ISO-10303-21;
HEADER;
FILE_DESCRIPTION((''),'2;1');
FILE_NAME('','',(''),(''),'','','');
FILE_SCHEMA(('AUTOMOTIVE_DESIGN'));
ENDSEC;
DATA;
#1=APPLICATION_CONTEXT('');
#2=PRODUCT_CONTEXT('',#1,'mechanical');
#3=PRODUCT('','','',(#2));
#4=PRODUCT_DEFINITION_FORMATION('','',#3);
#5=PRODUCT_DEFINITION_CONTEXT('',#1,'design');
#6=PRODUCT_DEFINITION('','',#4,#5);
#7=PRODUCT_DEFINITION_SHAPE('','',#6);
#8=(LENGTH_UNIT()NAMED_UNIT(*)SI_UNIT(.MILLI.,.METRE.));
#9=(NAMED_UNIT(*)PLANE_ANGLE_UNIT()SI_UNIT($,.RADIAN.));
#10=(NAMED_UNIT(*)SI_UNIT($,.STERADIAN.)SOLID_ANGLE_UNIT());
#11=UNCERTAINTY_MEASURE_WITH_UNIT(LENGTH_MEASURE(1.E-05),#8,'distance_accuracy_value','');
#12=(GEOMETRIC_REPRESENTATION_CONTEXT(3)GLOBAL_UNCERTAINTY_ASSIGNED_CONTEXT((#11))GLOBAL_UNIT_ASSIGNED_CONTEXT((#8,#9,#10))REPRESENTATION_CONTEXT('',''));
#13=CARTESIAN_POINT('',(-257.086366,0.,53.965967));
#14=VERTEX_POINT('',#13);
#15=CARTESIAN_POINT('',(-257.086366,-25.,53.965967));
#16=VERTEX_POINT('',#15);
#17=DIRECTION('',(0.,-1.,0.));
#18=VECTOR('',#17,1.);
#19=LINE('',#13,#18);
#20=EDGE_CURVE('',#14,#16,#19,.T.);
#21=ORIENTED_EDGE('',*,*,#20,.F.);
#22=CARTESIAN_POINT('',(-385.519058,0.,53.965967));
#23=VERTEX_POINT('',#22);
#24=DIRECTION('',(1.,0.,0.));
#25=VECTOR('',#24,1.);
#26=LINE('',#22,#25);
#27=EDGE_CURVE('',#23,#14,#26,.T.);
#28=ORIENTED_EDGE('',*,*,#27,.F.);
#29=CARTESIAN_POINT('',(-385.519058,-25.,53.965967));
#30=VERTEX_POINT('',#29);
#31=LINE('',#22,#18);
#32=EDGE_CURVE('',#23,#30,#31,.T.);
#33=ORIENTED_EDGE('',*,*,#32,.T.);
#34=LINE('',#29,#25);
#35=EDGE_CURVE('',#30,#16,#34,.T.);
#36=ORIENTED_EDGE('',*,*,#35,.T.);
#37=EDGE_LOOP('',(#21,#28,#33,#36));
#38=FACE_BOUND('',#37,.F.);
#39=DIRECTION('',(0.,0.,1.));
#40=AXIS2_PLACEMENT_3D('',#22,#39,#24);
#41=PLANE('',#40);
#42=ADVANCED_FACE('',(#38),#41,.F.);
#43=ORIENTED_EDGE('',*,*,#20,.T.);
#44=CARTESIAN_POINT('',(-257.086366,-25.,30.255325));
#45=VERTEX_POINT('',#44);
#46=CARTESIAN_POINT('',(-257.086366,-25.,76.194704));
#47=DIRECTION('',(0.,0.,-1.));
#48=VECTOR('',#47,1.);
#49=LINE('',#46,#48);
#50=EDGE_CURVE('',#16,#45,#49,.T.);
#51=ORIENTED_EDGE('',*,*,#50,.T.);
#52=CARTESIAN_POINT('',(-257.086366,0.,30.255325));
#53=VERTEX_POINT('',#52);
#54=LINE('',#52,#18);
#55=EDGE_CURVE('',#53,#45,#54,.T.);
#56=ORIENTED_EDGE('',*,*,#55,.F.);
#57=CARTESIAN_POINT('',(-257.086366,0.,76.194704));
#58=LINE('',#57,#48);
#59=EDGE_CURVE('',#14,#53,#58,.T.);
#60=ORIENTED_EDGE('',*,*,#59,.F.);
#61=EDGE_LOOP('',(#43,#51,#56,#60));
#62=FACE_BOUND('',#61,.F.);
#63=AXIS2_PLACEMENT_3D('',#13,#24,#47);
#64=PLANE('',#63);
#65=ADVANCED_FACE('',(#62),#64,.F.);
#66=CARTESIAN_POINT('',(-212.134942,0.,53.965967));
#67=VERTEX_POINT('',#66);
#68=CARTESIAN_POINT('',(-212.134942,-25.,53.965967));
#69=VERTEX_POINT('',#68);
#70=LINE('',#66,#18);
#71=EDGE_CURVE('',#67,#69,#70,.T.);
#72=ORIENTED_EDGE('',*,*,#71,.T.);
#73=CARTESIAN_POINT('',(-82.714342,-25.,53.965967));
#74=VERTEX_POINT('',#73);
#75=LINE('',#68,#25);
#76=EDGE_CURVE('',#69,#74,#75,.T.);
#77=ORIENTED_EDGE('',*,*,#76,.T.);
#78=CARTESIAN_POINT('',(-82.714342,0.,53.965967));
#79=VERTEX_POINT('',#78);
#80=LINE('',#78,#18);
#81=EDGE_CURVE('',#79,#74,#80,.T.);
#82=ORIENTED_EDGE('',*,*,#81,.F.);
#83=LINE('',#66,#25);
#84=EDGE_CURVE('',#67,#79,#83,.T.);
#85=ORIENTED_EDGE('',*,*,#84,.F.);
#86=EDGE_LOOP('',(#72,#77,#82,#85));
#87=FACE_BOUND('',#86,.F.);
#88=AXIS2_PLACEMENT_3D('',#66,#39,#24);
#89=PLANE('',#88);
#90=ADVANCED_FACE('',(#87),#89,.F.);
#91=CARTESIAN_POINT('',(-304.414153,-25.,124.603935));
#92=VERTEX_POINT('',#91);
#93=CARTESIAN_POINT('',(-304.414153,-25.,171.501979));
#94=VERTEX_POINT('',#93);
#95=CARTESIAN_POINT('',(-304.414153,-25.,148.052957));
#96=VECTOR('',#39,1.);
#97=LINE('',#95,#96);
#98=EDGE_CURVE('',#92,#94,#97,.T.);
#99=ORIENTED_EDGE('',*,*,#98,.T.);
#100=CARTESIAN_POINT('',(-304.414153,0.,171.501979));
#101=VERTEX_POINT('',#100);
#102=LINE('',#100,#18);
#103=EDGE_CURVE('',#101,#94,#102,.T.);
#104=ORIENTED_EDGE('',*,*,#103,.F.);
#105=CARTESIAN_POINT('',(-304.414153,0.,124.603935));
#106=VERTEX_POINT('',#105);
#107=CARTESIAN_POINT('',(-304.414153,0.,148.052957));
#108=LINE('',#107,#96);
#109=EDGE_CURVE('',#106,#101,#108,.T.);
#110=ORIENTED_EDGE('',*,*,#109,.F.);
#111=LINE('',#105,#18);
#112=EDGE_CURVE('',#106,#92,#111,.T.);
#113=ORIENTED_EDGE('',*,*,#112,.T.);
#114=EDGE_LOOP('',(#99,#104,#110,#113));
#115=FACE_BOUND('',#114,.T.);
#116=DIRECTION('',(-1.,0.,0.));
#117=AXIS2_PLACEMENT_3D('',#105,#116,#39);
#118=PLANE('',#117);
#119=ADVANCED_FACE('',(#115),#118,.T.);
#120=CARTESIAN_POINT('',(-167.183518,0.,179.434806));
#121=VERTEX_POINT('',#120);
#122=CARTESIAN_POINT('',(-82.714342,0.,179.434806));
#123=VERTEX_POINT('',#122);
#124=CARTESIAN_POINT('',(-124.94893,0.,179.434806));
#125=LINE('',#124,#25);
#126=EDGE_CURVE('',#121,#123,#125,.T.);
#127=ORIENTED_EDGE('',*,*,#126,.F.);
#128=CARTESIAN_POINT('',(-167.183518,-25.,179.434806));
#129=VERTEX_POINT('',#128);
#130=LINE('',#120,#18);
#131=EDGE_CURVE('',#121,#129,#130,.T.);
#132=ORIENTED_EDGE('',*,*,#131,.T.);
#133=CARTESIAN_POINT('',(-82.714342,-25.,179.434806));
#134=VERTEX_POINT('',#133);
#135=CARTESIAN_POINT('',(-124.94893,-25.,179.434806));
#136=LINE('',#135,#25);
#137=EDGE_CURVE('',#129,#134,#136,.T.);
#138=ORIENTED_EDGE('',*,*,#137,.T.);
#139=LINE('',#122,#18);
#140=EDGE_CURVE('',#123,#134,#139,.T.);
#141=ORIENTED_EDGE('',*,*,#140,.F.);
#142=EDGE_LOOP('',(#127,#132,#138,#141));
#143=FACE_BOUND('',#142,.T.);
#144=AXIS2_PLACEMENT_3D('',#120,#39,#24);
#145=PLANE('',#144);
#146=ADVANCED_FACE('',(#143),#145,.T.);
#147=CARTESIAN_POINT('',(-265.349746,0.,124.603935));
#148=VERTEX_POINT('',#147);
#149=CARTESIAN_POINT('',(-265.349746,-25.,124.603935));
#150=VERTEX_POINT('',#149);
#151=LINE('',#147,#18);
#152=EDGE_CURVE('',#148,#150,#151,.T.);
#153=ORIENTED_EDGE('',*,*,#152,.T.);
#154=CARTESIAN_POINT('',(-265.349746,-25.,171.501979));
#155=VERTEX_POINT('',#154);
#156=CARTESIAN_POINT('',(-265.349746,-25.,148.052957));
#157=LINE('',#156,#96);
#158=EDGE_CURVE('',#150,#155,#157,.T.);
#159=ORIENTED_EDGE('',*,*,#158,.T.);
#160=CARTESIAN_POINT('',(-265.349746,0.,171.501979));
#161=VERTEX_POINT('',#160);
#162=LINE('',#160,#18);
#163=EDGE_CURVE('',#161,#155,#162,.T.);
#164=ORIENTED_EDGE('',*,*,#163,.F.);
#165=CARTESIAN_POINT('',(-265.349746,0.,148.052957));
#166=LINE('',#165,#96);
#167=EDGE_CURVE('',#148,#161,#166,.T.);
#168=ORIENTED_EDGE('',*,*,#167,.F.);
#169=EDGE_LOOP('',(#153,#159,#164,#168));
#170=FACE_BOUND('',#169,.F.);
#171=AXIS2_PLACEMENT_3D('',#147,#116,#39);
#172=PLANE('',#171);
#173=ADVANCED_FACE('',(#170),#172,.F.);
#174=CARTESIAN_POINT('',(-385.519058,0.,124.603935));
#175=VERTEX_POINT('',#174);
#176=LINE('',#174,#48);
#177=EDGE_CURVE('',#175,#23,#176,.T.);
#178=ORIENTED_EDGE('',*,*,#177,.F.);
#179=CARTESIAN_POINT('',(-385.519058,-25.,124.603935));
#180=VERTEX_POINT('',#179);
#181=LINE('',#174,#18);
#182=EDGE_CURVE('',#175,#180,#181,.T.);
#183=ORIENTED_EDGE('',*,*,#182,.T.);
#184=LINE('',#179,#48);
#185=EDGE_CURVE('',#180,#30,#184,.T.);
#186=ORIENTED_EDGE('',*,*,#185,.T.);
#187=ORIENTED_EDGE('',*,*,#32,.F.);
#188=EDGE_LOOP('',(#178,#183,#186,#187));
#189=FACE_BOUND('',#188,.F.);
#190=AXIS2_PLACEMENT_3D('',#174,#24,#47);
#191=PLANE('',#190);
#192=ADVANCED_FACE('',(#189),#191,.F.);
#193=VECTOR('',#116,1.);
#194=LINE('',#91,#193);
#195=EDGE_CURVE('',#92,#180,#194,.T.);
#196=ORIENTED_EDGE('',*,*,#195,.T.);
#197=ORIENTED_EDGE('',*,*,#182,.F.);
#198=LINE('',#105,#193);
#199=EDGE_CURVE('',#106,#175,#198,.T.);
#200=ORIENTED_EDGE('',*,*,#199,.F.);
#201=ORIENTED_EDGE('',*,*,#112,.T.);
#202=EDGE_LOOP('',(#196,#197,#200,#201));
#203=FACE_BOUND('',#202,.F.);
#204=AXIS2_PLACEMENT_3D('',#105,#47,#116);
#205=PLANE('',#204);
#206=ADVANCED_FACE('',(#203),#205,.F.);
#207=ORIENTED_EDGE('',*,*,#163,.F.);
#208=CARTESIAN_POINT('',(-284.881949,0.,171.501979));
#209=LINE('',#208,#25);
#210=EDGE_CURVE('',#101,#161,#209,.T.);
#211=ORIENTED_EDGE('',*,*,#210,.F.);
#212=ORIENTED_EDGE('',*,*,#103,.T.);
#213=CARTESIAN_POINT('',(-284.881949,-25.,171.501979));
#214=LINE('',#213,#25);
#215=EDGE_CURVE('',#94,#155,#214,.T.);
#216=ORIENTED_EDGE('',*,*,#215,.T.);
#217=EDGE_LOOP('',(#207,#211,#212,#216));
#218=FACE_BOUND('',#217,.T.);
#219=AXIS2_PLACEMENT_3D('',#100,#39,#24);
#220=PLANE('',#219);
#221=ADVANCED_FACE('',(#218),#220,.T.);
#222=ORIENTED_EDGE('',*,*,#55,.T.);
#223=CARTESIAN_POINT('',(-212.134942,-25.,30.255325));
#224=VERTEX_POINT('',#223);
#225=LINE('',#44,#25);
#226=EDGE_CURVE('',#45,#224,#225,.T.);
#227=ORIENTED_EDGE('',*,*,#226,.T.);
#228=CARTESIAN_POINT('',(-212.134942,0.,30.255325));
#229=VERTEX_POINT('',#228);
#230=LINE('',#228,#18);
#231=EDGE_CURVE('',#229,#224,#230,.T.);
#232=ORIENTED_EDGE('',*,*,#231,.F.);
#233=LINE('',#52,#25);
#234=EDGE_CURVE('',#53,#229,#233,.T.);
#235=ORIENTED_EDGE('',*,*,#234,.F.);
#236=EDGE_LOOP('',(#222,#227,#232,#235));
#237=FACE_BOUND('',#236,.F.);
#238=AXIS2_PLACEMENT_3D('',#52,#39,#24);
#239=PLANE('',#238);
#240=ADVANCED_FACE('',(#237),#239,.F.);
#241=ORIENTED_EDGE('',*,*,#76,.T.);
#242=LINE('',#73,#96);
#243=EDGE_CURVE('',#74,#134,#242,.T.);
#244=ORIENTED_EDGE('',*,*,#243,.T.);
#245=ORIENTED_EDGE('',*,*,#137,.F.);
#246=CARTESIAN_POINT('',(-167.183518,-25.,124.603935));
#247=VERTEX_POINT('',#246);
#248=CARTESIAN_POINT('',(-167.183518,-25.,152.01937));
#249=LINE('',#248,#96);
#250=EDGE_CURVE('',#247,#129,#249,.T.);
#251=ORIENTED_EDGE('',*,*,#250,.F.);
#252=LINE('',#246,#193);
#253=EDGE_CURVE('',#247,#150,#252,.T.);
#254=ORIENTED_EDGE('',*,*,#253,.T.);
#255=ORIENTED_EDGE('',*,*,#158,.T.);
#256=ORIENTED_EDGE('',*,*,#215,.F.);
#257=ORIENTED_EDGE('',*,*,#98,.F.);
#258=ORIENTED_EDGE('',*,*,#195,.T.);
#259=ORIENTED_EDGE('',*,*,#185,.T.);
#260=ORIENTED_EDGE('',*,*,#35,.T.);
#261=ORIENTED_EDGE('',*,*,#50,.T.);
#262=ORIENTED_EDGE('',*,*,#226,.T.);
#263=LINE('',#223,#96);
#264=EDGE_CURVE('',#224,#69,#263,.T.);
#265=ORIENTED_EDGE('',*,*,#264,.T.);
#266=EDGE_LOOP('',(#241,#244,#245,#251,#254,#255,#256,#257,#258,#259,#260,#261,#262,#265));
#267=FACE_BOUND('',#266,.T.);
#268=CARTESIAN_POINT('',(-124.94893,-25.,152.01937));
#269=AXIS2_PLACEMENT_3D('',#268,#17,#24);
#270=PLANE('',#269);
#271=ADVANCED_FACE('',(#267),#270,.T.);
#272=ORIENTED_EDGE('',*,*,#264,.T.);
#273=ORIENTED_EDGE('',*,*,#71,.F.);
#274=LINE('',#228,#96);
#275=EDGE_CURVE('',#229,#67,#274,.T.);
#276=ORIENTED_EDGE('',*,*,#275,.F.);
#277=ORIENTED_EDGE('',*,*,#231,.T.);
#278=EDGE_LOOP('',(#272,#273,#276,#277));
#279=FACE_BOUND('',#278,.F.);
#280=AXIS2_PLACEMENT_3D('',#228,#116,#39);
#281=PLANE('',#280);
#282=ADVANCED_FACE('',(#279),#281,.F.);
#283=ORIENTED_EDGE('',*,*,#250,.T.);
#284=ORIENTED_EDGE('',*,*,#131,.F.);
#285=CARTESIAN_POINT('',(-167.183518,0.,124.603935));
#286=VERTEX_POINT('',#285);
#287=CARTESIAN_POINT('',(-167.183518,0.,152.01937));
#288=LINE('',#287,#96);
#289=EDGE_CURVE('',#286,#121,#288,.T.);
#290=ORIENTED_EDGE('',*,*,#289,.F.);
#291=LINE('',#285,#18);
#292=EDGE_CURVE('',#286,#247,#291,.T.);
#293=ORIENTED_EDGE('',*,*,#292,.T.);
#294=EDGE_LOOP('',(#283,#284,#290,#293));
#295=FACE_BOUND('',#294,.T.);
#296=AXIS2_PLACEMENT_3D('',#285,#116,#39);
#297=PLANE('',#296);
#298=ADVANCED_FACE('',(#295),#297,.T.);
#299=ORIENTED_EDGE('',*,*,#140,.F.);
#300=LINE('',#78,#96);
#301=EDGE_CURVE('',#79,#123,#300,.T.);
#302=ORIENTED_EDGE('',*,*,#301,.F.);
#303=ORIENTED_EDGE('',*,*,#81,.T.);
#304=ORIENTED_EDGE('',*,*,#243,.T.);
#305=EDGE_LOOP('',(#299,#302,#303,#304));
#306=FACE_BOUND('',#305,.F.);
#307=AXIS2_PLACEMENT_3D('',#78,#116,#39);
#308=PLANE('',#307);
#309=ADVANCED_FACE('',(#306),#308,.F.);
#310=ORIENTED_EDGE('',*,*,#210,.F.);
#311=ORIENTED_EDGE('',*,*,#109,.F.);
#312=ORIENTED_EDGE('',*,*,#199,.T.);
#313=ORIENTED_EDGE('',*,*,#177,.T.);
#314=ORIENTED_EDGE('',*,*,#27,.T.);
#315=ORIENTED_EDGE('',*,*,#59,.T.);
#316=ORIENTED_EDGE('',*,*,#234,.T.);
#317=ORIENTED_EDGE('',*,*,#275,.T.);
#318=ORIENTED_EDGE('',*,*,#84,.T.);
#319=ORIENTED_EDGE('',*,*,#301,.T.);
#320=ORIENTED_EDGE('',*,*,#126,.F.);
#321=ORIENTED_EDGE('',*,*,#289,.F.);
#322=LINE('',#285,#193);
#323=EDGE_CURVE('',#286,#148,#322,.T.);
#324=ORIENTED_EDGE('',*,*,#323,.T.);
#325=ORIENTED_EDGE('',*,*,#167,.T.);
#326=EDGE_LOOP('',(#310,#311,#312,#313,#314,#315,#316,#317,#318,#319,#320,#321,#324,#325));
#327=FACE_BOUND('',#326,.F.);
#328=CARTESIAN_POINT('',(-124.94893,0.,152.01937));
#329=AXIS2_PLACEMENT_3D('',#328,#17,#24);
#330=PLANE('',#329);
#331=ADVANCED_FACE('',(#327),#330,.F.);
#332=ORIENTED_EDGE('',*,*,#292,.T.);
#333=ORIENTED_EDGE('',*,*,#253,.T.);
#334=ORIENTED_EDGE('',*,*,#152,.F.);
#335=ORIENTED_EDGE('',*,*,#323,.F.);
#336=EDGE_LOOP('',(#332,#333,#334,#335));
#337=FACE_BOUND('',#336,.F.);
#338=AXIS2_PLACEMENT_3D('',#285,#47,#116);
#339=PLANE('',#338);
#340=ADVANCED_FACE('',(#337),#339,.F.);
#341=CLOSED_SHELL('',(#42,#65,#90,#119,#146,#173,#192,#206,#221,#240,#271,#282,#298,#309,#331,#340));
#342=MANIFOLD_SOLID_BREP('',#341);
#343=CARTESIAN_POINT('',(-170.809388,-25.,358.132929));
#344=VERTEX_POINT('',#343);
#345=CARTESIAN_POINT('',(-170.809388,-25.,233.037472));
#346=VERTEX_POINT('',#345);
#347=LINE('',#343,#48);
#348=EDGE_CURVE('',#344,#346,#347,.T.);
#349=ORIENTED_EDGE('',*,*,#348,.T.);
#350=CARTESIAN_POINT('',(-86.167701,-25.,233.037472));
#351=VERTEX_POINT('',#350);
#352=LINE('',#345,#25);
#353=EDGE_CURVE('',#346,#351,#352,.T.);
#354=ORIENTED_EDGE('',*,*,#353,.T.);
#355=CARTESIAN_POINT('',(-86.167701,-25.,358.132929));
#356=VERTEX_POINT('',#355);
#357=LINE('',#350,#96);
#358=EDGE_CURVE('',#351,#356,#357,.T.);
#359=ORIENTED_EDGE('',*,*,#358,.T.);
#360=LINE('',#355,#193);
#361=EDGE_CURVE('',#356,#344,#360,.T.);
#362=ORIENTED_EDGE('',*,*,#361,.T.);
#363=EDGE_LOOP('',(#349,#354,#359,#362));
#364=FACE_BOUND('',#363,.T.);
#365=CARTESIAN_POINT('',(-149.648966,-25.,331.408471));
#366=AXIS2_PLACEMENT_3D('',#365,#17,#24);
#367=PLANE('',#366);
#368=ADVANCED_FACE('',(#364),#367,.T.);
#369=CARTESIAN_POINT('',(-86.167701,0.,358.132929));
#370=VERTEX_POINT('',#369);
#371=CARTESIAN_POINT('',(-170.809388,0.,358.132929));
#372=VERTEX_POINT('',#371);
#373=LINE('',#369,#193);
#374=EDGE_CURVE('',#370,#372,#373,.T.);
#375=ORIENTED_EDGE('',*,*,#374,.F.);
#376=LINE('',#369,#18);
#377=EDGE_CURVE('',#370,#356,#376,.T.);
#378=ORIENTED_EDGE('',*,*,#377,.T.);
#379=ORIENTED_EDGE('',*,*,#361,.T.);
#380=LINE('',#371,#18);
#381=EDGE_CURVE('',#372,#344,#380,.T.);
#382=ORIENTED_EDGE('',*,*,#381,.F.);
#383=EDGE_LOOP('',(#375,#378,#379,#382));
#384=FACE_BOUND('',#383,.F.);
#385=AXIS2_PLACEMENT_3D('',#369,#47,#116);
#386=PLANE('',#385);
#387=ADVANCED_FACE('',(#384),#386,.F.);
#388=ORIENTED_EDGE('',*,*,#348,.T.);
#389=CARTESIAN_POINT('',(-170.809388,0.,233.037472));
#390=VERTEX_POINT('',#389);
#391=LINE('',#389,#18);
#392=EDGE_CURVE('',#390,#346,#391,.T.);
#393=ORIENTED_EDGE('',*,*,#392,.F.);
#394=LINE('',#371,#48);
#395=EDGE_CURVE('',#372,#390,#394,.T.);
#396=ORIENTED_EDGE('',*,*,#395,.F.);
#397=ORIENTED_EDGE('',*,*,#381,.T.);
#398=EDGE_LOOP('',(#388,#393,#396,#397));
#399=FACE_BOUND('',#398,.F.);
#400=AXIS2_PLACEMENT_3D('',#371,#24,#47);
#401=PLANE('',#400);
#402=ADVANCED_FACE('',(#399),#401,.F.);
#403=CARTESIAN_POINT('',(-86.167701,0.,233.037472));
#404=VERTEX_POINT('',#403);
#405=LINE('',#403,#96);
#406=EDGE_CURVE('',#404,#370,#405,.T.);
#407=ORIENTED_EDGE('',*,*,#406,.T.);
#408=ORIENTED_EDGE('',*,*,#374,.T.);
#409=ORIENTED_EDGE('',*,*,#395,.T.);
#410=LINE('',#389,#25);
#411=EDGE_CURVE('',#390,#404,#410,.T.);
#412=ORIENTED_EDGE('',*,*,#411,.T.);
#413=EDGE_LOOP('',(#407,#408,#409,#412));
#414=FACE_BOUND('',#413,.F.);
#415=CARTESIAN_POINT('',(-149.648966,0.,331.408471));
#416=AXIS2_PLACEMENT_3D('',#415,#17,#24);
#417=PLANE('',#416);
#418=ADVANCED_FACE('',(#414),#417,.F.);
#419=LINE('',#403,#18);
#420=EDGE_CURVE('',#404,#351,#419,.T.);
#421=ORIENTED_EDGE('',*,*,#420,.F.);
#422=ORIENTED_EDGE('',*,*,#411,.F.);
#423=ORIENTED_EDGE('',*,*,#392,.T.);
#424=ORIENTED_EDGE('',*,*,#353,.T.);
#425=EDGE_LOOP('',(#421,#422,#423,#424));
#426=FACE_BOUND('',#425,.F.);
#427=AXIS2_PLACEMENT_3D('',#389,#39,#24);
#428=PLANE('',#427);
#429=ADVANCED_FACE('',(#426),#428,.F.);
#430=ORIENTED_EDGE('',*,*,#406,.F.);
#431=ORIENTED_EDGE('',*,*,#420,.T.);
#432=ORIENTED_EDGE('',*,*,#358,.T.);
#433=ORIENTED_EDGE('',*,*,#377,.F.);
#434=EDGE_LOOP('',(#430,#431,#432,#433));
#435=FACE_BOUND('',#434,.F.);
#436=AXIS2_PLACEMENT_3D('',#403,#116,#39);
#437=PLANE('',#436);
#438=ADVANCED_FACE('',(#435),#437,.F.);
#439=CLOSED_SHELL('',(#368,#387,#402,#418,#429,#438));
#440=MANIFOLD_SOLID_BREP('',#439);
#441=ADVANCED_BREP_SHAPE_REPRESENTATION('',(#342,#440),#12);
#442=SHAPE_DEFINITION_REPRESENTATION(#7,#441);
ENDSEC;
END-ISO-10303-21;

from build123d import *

# Parameters (mm, degrees)
F0_W     = 84.4691768289
F0_H     = 54.8308715224
F0_W_2   = 42.2345884144
F0_H_2   = 52.3610152304
F0_W_3   = 39.0644073486
F0_H_3   = 46.8980446458
F0_W_4   = 44.9514240026
F0_W_5   = 37.0478928089
F0_H_4   = 22.2287364304
F0_W_6   = 27.1684527397
F1_DEPTH = 25
F0_W_7   = 42.320843786
F0_H_5   = 53.4489154816
F0_H_6   = 53.5979270935


with BuildPart() as f1:
    # F0 (on Front) → F1 (new body)
    with BuildSketch(Plane.XZ):
        with Locations((-124.9489299953, 152.0193703473)):
            Rectangle(F0_W, F0_H)
        Polygon((-82.7143415809, 106.326982379), (-82.7143415809, 124.603934586), (-167.1835184097, 124.603934586), (-265.3497457504, 124.603934586), (-304.4141530991, 124.603934586), (-321.3027119637, 124.603934586), (-321.3027119637, 76.1947035789), (-284.2548191547, 76.1947035789), (-257.086366415, 76.1947035789), (-257.086366415, 106.326982379), (-212.1349424124, 106.326982379), (-167.1835184097, 106.326982379), (-124.9489299953, 106.326982379), align=None)
        with Locations((-103.8316357881, 80.1464747638)):
            Rectangle(F0_W_2, F0_H_2)
        with Locations((-284.8819494247, 148.0529569089)):
            Rectangle(F0_W_3, F0_H_3)
        with Locations((-146.0662242025, 80.1464747638)):
            Rectangle(F0_W_2, F0_H_2)
        with Locations((-189.6592304111, 80.1464747638)):
            Rectangle(F0_W_4, F0_H_2)
        Polygon((-321.3027119637, 76.1947035789), (-321.3027119637, 124.603934586), (-385.5190575123, 124.603934586), (-385.5190575123, 53.9659671485), (-321.3027119637, 53.9659671485), align=None)
        Polygon((-212.1349424124, 53.9659671485), (-212.1349424124, 106.326982379), (-257.086366415, 106.326982379), (-257.086366415, 76.1947035789), (-257.086366415, 53.9659671485), (-257.086366415, 30.2553251386), (-212.1349424124, 30.2553251386), align=None)
        with Locations((-302.7787655592, 65.0803353637)):
            Rectangle(F0_W_5, F0_H_4)
        with Locations((-270.6705927849, 65.0803353637)):
            Rectangle(F0_W_6, F0_H_4)
    extrude(amount=F1_DEPTH)


with BuildPart() as f1b:
    # F0 (on Front) → F1, piece 2 (new body)
    with BuildSketch(Plane.XZ):
        with Locations((-149.6489662677, 331.4084708691)):
            Rectangle(F0_W_7, F0_H_5)
        with Locations((-107.3281224817, 331.4084708691)):
            Rectangle(F0_W_7, F0_H_5)
        Polygon((-128.4885443747, 304.6840131283), (-170.8093881607, 304.6840131283), (-170.8093881607, 286.6353988647), (-128.4885443747, 286.6353988647), (-86.1677005887, 286.6353988647), (-86.1677005887, 304.6840131283), align=None)
        with Locations((-149.6489662677, 259.836435318)):
            Rectangle(F0_W_7, F0_H_6)
        with Locations((-107.3281224817, 259.836435318)):
            Rectangle(F0_W_7, F0_H_6)
    extrude(amount=F1_DEPTH)


solid = Compound([f1.part, f1b.part])
